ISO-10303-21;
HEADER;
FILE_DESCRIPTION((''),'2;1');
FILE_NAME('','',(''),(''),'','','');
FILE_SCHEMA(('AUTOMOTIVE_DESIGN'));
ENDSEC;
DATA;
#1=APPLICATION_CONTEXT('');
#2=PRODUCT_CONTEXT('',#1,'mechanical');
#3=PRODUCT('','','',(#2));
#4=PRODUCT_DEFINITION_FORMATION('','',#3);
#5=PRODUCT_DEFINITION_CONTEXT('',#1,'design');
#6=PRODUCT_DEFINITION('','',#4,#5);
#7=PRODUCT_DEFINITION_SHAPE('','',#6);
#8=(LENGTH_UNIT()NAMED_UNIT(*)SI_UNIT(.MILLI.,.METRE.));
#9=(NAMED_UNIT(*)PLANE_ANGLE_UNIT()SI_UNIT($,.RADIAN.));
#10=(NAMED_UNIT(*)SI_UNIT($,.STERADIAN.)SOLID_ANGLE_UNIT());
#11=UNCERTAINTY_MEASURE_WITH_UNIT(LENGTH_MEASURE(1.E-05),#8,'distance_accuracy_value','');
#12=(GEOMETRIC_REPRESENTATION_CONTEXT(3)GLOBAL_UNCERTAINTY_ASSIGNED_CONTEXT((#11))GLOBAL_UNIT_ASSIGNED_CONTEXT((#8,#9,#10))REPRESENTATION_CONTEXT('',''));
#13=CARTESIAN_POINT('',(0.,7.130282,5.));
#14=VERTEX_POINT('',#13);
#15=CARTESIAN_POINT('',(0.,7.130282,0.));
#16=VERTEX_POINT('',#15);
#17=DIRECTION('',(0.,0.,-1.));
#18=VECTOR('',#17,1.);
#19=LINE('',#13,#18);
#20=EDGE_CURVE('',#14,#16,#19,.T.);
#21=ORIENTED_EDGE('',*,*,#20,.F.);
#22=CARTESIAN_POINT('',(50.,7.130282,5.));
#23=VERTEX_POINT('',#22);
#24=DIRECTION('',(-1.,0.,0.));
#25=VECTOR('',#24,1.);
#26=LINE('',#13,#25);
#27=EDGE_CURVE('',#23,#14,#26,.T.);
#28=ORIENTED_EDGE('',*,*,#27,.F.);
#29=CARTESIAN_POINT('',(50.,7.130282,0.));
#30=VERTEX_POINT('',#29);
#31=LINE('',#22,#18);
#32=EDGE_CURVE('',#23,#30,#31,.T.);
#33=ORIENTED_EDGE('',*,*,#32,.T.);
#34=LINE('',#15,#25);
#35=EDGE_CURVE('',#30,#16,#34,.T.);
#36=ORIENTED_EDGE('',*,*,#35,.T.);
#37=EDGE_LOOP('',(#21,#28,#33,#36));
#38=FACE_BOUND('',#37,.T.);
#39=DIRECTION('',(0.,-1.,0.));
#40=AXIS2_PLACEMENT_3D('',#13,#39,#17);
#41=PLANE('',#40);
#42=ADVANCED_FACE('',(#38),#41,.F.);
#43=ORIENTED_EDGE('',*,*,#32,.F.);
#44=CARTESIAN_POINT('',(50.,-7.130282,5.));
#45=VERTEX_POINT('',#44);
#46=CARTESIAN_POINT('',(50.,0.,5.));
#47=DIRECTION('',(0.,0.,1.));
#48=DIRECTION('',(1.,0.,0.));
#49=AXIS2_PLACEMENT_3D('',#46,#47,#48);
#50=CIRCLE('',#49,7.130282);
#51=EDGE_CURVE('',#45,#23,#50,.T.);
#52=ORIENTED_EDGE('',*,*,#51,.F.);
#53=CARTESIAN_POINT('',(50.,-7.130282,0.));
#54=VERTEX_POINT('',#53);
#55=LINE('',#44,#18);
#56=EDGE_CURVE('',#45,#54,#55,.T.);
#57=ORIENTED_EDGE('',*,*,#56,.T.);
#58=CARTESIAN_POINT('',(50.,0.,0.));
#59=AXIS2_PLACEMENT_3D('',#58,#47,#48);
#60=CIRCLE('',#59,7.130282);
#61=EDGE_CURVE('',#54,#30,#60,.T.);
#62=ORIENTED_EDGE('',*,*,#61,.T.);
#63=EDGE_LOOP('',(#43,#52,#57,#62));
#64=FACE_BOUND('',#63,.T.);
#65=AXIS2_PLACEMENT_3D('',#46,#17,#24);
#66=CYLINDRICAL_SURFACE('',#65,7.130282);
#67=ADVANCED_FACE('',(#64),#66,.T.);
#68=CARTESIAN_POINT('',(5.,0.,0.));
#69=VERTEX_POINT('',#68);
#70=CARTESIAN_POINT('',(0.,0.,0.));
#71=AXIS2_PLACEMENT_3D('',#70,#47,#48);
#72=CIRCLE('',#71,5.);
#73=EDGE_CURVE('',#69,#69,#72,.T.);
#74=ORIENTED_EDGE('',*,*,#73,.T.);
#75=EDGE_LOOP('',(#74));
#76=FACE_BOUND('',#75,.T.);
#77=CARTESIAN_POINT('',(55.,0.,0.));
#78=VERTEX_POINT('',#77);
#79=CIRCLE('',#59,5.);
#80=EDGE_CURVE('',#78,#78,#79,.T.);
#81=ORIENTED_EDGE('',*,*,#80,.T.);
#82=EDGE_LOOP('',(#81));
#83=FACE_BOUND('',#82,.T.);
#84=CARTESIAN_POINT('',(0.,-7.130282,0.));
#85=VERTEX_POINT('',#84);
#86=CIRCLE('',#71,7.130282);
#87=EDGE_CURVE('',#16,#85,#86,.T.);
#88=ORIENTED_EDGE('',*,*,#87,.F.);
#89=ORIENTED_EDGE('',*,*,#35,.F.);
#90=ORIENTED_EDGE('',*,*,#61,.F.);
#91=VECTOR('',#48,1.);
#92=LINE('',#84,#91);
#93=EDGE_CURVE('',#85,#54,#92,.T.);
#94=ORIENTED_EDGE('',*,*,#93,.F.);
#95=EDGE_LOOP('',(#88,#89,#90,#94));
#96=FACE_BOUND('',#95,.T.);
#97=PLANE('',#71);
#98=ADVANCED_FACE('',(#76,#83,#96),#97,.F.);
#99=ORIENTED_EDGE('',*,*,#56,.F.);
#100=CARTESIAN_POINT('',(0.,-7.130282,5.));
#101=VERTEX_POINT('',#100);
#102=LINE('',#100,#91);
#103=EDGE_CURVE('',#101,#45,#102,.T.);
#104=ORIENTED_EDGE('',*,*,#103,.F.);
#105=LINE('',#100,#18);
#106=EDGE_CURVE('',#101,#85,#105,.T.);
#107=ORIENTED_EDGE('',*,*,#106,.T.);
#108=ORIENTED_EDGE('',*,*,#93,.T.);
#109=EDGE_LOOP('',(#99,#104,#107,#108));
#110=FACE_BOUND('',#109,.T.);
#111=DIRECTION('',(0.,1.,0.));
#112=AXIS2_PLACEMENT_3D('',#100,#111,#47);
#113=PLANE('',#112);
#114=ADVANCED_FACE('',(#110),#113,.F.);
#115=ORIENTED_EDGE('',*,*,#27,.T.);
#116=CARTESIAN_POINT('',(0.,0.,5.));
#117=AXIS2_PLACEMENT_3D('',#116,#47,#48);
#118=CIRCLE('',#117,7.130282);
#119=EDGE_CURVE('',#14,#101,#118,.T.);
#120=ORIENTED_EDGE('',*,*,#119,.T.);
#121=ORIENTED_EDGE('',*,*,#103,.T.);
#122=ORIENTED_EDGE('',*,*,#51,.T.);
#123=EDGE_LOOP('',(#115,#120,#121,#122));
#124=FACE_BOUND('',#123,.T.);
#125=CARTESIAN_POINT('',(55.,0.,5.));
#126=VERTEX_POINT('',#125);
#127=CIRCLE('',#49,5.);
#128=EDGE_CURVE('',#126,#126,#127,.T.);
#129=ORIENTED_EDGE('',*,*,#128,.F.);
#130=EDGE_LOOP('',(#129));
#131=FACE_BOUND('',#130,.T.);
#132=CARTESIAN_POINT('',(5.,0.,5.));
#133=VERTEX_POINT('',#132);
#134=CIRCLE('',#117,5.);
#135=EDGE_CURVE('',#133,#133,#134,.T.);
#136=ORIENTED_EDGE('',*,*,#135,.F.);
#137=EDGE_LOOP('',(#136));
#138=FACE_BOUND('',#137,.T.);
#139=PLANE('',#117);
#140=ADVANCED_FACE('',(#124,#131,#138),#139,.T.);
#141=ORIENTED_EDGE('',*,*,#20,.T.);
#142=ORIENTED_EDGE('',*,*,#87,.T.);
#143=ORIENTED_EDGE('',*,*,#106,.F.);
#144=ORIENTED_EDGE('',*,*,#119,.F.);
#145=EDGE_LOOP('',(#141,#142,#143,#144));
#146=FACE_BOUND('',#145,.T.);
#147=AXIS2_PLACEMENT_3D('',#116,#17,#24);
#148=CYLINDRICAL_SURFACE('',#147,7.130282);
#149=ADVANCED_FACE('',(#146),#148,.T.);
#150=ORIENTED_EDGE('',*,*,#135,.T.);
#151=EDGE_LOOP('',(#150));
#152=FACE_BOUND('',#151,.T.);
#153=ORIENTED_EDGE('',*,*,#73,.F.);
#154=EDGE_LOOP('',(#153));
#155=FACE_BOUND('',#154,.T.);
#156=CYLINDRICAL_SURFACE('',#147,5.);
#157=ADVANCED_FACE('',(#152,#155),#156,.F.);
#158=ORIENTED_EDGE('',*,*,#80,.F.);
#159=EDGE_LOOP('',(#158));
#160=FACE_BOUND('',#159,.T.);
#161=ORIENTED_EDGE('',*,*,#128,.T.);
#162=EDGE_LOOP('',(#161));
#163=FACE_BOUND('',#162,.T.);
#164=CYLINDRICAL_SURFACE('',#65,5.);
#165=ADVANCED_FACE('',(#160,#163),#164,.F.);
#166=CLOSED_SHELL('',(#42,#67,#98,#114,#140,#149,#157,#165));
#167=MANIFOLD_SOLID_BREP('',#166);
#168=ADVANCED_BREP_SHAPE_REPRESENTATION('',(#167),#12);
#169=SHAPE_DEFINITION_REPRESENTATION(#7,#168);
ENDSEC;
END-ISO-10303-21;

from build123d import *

# Parameters (mm, degrees)
SKETCH1_R           = 5
BOSS_EXTRUDE2_DEPTH = 5


with BuildPart() as part:
    # Sketch1 → Boss-Extrude2 (new body)
    with BuildSketch(Plane.XY):
        with BuildLine():
            Line((0, 7.13028169), (50, 7.13028169))
            ThreePointArc((50, 7.13028169), (57.13028169, 0), (50, -7.13028169))
            Line((50, -7.13028169), (0, -7.13028169))
            ThreePointArc((0, -7.13028169), (-7.13028169, 0), (0, 7.13028169))
        make_face()
        Circle(SKETCH1_R, mode=Mode.SUBTRACT)
        with Locations((50, 0)):
            Circle(SKETCH1_R, mode=Mode.SUBTRACT)
    extrude(amount=BOSS_EXTRUDE2_DEPTH)


solid = part.part
